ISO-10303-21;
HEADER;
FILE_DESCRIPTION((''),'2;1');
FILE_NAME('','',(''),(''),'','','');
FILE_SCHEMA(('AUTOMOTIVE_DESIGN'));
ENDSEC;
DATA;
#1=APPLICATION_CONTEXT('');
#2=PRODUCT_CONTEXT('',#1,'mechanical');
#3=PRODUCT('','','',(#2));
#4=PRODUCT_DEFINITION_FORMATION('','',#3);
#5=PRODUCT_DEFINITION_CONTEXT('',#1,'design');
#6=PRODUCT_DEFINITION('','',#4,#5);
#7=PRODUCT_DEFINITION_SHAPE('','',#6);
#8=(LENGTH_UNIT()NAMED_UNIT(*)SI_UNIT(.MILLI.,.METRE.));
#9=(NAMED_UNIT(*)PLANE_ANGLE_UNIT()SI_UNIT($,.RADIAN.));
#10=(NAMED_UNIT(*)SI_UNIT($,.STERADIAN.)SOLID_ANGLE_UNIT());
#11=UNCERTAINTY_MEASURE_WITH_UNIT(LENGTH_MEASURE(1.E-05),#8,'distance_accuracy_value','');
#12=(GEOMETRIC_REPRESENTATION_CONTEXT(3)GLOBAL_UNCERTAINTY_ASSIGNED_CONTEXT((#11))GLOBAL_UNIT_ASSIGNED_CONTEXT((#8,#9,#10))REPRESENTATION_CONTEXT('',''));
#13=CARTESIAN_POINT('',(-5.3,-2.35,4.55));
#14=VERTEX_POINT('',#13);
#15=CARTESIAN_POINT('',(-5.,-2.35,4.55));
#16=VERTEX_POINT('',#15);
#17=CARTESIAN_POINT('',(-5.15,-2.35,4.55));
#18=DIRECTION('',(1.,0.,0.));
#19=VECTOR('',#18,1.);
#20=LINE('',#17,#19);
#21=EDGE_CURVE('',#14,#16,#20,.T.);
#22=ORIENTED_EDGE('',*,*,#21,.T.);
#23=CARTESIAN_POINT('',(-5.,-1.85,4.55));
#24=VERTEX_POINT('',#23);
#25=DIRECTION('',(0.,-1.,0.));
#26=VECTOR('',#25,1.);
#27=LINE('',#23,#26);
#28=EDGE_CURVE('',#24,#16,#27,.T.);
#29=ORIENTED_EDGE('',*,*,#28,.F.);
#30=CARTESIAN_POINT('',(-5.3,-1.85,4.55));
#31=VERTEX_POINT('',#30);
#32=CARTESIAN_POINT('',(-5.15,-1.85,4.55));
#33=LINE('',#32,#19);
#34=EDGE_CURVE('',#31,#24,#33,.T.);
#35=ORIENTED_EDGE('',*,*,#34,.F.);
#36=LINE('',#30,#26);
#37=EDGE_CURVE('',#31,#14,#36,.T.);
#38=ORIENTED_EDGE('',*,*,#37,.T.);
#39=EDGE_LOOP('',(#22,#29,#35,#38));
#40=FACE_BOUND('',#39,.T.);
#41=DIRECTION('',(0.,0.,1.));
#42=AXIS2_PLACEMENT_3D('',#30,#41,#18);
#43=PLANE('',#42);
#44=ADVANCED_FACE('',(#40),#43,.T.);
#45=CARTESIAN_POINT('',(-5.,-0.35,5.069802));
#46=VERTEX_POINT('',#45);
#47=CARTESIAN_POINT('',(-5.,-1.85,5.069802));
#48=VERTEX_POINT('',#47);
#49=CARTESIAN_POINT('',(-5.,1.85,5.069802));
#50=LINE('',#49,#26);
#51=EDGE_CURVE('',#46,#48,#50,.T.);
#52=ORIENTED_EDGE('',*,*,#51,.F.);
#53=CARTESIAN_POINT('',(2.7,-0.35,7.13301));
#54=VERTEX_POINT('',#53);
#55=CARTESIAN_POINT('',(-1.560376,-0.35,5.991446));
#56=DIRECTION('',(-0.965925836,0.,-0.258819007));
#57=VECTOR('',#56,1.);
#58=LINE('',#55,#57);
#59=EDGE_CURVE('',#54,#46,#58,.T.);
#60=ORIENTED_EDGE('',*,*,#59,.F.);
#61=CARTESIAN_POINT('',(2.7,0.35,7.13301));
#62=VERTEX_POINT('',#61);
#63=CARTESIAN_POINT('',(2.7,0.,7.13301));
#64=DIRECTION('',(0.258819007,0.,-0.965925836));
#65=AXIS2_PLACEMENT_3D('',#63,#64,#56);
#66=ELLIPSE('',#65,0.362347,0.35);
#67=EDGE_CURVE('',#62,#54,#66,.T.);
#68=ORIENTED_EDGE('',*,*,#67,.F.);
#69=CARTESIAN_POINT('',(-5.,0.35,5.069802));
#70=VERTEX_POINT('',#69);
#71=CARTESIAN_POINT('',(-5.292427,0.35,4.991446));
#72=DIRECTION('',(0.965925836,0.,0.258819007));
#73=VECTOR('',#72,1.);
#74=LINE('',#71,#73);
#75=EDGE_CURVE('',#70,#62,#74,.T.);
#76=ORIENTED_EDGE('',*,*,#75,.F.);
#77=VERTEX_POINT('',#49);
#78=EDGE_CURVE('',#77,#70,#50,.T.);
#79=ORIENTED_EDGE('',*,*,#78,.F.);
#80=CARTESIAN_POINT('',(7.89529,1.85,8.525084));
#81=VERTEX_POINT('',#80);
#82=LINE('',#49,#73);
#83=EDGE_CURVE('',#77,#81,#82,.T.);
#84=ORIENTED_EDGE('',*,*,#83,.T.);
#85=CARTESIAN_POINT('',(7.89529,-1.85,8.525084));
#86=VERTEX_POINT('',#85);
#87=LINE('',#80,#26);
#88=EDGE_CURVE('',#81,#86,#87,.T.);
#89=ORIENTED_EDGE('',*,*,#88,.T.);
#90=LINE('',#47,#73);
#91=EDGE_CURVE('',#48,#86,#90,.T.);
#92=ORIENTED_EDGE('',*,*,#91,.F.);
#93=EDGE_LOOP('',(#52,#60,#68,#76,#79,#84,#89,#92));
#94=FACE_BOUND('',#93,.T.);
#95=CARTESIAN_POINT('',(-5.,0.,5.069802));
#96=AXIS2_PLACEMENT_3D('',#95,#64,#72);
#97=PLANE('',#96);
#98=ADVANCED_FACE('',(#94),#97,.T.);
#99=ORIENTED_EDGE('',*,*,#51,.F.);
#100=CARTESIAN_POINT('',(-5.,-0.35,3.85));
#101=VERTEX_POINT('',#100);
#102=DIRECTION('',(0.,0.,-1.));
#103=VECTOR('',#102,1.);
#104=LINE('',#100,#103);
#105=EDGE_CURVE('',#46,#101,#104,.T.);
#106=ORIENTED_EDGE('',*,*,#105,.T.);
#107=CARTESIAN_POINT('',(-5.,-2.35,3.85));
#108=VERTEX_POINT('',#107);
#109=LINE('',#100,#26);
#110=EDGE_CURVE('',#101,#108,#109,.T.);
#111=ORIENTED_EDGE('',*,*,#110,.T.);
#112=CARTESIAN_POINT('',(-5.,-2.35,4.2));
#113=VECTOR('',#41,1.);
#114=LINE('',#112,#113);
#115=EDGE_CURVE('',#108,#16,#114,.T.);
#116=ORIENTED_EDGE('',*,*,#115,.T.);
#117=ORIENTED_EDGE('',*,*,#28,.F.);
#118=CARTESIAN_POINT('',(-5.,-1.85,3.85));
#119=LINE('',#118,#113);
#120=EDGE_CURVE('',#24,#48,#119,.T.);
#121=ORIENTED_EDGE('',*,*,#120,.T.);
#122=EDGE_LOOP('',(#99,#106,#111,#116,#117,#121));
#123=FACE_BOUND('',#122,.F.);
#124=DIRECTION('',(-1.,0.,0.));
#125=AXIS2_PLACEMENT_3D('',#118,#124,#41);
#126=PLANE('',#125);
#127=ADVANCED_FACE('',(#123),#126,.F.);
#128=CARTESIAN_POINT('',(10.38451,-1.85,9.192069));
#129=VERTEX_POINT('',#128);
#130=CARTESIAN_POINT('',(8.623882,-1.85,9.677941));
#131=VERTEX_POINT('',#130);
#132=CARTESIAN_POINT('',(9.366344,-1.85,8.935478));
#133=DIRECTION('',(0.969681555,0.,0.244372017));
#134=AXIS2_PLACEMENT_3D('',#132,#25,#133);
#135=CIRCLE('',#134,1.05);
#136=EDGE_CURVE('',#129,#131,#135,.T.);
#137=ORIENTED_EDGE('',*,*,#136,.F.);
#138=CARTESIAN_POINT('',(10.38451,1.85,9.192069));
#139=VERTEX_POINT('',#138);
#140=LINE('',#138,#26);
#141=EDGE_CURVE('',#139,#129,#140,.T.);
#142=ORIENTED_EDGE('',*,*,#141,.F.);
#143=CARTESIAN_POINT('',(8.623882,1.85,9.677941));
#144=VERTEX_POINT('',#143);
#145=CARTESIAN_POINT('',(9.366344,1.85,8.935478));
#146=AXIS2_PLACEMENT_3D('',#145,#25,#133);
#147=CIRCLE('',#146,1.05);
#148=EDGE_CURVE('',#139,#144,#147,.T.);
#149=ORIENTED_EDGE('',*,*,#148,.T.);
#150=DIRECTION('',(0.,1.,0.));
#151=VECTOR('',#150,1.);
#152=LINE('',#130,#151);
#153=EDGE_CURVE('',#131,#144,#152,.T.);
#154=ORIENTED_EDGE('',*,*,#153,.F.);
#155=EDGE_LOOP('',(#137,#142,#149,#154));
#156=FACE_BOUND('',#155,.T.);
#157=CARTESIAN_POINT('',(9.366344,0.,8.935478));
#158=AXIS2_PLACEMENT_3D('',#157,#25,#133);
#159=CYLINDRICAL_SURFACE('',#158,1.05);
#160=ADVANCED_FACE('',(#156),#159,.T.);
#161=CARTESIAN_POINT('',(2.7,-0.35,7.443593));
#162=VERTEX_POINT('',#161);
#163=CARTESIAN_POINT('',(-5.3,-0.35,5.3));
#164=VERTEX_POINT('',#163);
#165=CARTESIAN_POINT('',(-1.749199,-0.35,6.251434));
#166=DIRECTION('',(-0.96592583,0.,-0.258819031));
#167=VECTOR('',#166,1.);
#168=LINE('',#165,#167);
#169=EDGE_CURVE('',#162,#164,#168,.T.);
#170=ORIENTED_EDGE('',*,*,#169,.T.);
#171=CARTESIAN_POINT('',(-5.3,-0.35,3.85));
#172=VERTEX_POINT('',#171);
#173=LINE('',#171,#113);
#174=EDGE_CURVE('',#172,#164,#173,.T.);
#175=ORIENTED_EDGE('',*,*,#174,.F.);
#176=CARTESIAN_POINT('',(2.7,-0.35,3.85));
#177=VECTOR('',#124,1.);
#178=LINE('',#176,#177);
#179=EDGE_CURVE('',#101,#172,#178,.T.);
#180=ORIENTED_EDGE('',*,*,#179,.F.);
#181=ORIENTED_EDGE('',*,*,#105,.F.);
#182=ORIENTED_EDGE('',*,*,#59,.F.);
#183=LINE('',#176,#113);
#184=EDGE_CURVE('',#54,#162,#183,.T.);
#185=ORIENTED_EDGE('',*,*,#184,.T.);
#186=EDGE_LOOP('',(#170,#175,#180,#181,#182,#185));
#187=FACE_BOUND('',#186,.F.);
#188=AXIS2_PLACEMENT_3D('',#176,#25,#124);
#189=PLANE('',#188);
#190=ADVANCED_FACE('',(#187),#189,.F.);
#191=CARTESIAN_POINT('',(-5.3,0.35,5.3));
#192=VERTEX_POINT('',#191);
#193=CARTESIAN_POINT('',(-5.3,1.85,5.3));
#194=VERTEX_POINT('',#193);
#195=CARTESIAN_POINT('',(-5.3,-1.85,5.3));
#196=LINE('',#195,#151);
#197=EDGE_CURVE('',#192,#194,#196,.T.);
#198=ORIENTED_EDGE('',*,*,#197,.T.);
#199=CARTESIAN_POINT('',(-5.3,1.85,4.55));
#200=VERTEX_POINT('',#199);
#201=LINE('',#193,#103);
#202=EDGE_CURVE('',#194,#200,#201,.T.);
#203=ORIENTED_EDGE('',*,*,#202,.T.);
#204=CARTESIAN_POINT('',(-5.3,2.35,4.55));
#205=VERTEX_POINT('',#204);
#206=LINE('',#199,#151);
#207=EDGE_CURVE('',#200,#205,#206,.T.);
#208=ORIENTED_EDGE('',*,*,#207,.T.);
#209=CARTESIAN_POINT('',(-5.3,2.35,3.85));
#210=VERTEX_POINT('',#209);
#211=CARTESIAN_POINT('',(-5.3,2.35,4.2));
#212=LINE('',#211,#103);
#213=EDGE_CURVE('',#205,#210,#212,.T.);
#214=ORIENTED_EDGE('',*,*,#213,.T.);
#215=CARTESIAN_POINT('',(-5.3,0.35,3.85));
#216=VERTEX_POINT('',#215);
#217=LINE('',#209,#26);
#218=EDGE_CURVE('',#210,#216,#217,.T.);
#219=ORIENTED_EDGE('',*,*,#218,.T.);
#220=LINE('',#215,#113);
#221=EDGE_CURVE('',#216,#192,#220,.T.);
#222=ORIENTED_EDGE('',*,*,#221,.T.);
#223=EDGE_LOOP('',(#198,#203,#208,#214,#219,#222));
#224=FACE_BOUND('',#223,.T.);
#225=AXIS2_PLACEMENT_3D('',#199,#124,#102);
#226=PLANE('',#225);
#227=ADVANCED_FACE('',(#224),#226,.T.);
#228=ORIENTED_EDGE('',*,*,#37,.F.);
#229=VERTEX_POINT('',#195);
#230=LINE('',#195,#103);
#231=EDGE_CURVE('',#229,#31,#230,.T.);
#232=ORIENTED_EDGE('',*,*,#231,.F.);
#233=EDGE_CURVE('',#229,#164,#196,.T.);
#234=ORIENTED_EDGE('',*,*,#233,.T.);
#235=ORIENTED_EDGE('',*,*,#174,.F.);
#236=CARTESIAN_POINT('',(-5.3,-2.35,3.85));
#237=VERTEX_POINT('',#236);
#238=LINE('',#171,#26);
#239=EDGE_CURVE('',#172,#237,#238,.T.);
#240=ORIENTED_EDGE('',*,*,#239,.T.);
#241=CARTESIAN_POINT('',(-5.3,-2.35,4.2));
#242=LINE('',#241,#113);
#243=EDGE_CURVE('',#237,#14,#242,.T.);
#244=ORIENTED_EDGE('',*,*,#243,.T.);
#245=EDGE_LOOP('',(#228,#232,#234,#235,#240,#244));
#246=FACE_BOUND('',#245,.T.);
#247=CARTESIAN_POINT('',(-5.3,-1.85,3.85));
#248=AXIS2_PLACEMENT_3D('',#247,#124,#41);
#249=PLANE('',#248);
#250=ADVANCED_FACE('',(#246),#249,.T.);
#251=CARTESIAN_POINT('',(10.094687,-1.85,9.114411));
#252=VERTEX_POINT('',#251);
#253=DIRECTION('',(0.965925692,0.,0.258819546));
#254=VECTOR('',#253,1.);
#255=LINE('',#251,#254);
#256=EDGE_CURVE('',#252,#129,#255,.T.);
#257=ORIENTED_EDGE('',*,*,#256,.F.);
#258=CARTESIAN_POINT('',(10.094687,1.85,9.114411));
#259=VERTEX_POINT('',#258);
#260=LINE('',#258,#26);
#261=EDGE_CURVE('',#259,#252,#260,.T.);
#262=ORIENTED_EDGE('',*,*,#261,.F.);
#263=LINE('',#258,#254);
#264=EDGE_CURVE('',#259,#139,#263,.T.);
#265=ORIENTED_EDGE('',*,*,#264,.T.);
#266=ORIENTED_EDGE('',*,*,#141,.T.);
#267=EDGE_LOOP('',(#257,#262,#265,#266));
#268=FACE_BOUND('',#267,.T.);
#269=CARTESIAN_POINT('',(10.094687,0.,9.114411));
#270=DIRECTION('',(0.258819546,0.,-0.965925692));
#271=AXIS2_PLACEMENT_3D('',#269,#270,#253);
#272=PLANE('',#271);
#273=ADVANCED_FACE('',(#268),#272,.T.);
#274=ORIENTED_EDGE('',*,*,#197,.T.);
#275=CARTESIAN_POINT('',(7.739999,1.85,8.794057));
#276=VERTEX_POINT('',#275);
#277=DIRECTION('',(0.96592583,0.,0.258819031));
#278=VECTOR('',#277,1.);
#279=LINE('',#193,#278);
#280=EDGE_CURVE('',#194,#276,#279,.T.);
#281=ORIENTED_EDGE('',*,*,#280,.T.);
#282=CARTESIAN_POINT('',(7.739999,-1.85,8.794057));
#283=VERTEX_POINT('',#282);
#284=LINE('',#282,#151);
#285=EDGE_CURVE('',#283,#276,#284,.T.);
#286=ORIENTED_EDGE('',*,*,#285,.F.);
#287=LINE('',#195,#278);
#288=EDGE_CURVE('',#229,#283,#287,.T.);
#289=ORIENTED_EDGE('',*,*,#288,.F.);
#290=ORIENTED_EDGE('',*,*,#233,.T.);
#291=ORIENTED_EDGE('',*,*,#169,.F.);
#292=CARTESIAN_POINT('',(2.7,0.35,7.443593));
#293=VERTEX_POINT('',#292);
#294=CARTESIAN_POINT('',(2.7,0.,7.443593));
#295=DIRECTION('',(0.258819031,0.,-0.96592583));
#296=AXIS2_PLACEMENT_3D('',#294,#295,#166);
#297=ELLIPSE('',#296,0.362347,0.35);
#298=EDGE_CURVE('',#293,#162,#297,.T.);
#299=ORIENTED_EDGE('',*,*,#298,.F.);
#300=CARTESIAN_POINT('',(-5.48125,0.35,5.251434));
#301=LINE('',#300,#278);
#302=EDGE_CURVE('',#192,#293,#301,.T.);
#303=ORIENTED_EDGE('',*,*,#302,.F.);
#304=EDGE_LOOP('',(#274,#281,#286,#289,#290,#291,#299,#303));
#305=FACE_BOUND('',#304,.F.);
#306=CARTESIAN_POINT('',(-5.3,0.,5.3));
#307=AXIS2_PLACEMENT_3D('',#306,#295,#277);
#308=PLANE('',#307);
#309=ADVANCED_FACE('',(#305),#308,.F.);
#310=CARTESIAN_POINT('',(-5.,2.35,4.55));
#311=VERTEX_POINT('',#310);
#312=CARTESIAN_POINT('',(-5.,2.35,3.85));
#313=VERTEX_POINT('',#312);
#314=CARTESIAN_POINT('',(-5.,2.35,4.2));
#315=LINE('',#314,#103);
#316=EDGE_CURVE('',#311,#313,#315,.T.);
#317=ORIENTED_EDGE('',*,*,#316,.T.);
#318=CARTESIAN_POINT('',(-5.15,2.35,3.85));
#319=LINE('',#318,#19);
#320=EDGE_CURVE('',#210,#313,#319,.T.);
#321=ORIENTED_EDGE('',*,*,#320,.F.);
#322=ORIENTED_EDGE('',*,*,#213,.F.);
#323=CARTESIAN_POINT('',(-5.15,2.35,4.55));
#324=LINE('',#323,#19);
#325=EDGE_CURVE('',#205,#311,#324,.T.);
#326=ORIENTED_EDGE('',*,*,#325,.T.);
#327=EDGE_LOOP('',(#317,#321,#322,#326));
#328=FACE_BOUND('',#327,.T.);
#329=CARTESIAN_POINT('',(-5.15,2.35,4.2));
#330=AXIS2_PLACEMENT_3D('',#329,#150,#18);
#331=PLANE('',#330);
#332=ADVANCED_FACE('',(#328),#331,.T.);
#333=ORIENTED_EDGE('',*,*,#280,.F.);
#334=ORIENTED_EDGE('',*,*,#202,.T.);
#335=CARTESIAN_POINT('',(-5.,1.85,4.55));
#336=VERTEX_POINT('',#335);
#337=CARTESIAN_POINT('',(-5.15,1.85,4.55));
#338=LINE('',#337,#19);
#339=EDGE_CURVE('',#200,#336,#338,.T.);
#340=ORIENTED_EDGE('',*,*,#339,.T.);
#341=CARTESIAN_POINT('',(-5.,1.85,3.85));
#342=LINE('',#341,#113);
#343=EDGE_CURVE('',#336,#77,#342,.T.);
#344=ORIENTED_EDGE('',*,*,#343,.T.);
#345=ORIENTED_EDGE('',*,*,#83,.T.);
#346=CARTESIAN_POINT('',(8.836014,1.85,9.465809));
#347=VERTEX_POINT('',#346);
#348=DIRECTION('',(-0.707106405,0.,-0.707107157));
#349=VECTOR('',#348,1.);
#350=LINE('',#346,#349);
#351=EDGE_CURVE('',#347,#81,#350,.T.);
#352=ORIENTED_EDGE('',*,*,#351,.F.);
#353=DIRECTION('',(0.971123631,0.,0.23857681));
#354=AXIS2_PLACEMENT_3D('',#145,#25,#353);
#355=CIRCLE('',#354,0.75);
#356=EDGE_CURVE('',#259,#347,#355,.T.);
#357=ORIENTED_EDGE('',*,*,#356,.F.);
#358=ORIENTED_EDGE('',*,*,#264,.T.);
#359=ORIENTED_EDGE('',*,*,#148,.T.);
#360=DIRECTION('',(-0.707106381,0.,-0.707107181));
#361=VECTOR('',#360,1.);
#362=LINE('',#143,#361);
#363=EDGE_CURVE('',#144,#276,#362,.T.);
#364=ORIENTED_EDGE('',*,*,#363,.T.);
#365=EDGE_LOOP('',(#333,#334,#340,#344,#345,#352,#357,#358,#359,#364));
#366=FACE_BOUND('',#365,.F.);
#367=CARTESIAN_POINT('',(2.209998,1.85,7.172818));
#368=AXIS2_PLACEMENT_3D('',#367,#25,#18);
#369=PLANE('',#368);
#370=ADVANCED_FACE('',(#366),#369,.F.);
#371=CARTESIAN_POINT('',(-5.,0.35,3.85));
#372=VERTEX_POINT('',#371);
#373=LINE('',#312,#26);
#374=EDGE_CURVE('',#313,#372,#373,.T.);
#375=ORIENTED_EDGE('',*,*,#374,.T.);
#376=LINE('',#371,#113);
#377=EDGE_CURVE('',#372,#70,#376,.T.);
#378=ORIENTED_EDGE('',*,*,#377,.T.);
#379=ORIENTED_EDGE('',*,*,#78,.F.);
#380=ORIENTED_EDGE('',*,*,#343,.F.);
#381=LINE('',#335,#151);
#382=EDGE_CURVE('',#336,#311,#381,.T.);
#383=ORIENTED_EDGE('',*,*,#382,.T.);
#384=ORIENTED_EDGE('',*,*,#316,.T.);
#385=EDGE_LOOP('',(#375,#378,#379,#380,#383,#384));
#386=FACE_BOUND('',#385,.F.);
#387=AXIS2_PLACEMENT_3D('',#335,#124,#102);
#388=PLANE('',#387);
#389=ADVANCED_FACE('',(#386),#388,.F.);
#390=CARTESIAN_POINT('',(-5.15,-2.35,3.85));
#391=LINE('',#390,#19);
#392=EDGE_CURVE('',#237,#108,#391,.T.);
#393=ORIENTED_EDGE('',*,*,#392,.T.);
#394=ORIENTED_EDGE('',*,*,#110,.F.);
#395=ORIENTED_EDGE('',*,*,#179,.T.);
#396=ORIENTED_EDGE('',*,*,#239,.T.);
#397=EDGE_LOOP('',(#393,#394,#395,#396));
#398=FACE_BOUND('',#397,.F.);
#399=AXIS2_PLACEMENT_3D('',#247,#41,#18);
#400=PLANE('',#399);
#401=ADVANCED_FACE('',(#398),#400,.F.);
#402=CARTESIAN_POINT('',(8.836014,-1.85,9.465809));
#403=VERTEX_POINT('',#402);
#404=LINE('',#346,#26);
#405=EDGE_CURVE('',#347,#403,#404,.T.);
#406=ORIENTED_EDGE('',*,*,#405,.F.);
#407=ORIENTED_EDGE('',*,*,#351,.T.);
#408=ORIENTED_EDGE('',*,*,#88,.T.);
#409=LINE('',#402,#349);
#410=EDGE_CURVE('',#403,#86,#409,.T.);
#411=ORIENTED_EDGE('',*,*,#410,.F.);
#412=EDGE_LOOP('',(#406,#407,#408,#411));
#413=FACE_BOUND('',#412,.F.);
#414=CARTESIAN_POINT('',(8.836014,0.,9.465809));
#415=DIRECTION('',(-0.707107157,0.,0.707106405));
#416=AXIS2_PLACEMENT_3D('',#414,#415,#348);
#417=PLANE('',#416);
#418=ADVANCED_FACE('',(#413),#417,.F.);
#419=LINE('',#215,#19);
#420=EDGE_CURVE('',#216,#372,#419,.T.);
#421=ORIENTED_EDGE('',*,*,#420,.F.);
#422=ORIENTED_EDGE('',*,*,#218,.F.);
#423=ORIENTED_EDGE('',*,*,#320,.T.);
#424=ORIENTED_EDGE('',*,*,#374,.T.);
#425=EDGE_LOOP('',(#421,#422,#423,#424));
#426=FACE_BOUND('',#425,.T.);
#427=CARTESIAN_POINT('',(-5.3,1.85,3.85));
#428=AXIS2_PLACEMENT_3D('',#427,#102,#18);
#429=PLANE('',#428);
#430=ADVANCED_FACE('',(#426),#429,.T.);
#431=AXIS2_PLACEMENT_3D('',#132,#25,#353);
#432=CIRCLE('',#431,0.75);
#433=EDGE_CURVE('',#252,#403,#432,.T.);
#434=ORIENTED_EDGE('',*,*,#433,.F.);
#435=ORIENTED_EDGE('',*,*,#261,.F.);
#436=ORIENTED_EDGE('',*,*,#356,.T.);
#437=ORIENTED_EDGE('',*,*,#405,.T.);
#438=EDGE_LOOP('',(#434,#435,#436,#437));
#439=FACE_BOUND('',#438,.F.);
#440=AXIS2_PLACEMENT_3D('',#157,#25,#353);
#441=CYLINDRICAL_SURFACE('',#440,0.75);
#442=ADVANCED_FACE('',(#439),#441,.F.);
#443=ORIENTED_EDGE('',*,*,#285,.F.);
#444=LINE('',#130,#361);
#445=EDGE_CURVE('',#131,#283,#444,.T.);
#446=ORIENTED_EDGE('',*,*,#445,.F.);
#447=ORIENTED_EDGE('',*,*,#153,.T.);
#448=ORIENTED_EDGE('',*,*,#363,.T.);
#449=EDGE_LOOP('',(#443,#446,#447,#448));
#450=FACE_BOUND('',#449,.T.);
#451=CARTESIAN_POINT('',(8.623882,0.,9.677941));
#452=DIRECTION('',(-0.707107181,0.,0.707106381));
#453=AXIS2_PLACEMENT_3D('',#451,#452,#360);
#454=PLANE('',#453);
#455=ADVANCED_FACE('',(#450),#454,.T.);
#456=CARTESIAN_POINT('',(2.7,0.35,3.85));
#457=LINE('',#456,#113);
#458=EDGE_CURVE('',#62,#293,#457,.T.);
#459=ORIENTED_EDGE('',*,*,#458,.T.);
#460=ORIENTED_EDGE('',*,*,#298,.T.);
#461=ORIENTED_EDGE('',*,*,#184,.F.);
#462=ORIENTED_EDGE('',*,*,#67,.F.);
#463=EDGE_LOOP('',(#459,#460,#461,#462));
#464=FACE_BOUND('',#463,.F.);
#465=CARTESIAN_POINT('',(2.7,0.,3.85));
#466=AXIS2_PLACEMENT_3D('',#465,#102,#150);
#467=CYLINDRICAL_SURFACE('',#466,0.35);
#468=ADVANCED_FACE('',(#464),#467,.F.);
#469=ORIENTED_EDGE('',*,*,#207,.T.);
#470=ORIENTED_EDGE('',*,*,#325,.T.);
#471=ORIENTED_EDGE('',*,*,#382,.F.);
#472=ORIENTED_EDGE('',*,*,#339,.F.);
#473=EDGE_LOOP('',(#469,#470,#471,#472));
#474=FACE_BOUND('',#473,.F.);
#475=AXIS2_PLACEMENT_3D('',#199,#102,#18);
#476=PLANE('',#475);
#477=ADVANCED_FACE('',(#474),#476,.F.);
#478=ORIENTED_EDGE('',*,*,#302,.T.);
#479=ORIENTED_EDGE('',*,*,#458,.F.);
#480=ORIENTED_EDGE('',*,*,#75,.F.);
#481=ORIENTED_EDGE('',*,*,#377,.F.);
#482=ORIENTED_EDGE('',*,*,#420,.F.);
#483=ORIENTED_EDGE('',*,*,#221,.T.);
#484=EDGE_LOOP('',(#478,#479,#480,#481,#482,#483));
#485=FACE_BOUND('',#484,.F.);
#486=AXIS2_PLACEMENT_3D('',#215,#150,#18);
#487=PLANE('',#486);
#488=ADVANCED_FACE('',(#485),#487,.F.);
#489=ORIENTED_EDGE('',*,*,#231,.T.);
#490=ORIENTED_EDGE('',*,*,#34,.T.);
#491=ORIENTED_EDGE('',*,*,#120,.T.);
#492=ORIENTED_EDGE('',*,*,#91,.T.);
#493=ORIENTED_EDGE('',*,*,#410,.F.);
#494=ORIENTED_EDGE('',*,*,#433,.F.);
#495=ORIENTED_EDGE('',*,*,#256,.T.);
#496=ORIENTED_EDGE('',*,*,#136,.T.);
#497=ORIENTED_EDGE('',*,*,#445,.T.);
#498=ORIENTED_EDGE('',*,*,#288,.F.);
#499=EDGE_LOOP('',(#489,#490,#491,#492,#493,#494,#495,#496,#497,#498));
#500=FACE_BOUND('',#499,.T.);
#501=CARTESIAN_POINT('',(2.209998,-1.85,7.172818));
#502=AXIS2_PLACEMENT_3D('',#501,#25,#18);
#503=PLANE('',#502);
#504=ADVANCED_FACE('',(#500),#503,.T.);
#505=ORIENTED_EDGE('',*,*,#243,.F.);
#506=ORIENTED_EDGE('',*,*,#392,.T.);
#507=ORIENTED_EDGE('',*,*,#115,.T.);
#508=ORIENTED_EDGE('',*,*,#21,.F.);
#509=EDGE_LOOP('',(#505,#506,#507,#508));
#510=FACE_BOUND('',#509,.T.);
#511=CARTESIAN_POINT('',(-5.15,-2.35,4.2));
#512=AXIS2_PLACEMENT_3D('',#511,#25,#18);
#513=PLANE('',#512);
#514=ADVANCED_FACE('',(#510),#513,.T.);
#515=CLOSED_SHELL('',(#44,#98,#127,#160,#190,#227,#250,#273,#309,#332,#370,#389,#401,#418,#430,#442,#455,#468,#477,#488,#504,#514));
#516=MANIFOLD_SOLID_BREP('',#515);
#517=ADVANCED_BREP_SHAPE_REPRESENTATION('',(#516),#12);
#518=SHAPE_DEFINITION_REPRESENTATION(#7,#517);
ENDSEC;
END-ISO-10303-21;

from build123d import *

# Parameters (mm, degrees)
PAD035_DEPTH    = 1.85
POCKET020_DEPTH = 6.136478
SKETCH051_W     = 0.3
SKETCH051_H     = 0.7
PAD036_DEPTH    = 0.5
SKETCH052_W     = 0.3
SKETCH052_H     = 0.7
PAD037_DEPTH    = 0.5


with BuildPart() as part:
    # Sketch049 → Pad035 (new body, symmetric)
    with BuildSketch(Plane.XZ):
        with BuildLine():
            Line((-5.3, 5.3), (-5.3, 3.85))
            Line((-5.3, 3.85), (-5, 3.85))
            Line((-5, 3.85), (-5, 5.069802))
            Line((-5, 5.069802), (7.89529, 8.525084))
            Line((8.836014, 9.465809), (7.89529, 8.525084))
            ThreePointArc((10.094687, 9.114411), (9.568018, 9.657855), (8.836014, 9.465809))
            Line((10.094687, 9.114411), (10.38451, 9.192069))
            ThreePointArc((10.38451, 9.192069), (9.645667, 9.947644), (8.623882, 9.677941))
            Line((8.623882, 9.677941), (7.739999, 8.794057))
            Line((-5.3, 5.3), (7.739999, 8.794057))
        make_face()
    extrude(amount=PAD035_DEPTH, both=True)

    # Sketch050 (on Face6 of Pad035) → Pocket020 (cut, through all)
    with BuildSketch(Plane(origin=(0, 0, 3.85), x_dir=(1, 0, 0), z_dir=(0, 0, -1))):
        with BuildLine():
            ThreePointArc((-5.3, 0.35), (-5.65, 0), (-5.3, -0.35))
            Line((-5.3, -0.35), (2.7, -0.35))
            ThreePointArc((2.7, -0.35), (3.05, 0), (2.7, 0.35))
            Line((2.7, 0.35), (-5.3, 0.35))
        make_face()
    extrude(amount=-POCKET020_DEPTH, mode=Mode.SUBTRACT)

    # Sketch051 (on Face5 of Pocket020) → Pad036 (join)
    with BuildSketch(Plane.XZ.offset(1.85)):
        with Locations((-5.15, 4.2)):
            Rectangle(SKETCH051_W, SKETCH051_H)
    extrude(amount=PAD036_DEPTH)

    # Sketch052 (on Face4 of Pad036) → Pad037 (join)
    with BuildSketch(Plane(origin=(0, 1.85, 0), x_dir=(1, 0, 0), z_dir=(0, 1, 0))):
        with Locations((-5.15, -4.2)):
            Rectangle(SKETCH052_W, SKETCH052_H)
    extrude(amount=PAD037_DEPTH)


solid = part.part
